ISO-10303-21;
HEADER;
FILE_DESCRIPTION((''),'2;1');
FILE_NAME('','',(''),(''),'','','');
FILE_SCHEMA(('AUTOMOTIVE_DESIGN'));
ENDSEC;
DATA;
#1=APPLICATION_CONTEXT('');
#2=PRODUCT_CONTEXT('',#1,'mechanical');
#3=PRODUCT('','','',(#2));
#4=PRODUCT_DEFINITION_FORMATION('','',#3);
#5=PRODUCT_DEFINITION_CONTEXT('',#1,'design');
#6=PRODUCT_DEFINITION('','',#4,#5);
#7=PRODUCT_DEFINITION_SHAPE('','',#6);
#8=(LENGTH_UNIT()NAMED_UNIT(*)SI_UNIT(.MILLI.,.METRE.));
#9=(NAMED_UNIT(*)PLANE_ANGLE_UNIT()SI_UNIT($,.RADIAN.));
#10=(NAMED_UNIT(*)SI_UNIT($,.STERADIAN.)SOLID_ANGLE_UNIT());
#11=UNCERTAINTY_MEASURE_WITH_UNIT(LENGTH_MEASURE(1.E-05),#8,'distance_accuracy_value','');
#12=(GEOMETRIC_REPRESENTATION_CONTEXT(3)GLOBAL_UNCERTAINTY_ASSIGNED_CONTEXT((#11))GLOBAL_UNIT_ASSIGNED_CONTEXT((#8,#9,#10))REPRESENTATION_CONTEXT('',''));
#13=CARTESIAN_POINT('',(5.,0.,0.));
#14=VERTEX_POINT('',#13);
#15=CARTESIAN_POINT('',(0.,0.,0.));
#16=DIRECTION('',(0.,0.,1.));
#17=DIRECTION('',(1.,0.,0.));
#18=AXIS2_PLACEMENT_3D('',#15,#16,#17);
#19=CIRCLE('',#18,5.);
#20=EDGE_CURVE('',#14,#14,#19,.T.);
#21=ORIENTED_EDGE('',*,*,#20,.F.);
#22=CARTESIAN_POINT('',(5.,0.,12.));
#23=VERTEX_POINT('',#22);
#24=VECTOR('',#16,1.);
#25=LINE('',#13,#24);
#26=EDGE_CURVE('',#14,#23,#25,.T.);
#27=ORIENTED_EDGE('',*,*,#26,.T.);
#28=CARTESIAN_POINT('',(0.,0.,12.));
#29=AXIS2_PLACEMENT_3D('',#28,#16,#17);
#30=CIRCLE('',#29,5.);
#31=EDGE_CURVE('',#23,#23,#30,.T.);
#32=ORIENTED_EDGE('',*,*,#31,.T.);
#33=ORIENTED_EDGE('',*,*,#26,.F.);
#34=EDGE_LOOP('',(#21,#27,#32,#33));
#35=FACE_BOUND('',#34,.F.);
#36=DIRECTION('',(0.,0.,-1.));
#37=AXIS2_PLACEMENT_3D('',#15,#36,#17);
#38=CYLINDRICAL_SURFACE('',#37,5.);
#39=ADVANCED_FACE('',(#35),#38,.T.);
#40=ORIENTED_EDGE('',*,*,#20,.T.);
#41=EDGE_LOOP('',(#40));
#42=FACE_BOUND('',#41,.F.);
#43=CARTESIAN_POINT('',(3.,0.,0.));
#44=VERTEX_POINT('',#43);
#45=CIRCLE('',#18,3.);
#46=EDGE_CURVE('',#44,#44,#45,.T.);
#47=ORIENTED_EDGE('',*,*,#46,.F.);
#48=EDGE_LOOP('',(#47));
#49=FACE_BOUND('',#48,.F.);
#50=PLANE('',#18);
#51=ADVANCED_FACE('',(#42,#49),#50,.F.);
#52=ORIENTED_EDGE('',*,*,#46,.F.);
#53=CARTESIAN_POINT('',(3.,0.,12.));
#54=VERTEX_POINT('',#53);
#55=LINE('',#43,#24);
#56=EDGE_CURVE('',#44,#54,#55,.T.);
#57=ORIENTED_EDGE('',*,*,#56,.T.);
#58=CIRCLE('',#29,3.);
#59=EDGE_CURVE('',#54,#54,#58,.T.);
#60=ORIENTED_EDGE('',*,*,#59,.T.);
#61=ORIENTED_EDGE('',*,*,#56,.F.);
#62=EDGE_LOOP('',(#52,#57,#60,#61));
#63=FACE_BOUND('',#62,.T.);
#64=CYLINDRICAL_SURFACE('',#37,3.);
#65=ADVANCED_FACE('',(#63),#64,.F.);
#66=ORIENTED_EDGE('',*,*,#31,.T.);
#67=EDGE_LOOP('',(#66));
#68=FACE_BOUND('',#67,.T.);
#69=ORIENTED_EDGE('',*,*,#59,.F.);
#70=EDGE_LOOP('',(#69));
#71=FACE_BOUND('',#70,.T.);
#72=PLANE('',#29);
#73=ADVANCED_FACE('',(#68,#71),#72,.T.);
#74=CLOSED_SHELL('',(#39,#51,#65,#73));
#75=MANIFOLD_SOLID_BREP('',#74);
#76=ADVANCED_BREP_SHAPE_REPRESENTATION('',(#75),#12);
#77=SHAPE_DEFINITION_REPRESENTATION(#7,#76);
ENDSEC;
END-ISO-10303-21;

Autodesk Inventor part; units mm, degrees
ref_plane "YZ Plane" through (0, 0, 0) normal (1, 0, 0) x (0, 1, 0)
ref_plane "XZ Plane" through (0, 0, 0) normal (0, 1, 0) x (-1, 0, 0)
ref_plane "XY Plane" through (0, 0, 0) normal (0, 0, 1) x (1, 0, 0)
sketch "スケッチ1" plane through (0, 0, 0) normal (0, 0, 1) x (1, 0, 0)
  circle A0 centre (0, 0) radius 5
  circle A1 centre (0, 0) radius 3
  dimension "d0" = 10
  dimension "d1" = 6
extrude "押し出し1" add sketch "スケッチ1" along normal blind 12
properties part number "スペーサーM6L12アルミ" material "アルミニウム 2014-T4"
